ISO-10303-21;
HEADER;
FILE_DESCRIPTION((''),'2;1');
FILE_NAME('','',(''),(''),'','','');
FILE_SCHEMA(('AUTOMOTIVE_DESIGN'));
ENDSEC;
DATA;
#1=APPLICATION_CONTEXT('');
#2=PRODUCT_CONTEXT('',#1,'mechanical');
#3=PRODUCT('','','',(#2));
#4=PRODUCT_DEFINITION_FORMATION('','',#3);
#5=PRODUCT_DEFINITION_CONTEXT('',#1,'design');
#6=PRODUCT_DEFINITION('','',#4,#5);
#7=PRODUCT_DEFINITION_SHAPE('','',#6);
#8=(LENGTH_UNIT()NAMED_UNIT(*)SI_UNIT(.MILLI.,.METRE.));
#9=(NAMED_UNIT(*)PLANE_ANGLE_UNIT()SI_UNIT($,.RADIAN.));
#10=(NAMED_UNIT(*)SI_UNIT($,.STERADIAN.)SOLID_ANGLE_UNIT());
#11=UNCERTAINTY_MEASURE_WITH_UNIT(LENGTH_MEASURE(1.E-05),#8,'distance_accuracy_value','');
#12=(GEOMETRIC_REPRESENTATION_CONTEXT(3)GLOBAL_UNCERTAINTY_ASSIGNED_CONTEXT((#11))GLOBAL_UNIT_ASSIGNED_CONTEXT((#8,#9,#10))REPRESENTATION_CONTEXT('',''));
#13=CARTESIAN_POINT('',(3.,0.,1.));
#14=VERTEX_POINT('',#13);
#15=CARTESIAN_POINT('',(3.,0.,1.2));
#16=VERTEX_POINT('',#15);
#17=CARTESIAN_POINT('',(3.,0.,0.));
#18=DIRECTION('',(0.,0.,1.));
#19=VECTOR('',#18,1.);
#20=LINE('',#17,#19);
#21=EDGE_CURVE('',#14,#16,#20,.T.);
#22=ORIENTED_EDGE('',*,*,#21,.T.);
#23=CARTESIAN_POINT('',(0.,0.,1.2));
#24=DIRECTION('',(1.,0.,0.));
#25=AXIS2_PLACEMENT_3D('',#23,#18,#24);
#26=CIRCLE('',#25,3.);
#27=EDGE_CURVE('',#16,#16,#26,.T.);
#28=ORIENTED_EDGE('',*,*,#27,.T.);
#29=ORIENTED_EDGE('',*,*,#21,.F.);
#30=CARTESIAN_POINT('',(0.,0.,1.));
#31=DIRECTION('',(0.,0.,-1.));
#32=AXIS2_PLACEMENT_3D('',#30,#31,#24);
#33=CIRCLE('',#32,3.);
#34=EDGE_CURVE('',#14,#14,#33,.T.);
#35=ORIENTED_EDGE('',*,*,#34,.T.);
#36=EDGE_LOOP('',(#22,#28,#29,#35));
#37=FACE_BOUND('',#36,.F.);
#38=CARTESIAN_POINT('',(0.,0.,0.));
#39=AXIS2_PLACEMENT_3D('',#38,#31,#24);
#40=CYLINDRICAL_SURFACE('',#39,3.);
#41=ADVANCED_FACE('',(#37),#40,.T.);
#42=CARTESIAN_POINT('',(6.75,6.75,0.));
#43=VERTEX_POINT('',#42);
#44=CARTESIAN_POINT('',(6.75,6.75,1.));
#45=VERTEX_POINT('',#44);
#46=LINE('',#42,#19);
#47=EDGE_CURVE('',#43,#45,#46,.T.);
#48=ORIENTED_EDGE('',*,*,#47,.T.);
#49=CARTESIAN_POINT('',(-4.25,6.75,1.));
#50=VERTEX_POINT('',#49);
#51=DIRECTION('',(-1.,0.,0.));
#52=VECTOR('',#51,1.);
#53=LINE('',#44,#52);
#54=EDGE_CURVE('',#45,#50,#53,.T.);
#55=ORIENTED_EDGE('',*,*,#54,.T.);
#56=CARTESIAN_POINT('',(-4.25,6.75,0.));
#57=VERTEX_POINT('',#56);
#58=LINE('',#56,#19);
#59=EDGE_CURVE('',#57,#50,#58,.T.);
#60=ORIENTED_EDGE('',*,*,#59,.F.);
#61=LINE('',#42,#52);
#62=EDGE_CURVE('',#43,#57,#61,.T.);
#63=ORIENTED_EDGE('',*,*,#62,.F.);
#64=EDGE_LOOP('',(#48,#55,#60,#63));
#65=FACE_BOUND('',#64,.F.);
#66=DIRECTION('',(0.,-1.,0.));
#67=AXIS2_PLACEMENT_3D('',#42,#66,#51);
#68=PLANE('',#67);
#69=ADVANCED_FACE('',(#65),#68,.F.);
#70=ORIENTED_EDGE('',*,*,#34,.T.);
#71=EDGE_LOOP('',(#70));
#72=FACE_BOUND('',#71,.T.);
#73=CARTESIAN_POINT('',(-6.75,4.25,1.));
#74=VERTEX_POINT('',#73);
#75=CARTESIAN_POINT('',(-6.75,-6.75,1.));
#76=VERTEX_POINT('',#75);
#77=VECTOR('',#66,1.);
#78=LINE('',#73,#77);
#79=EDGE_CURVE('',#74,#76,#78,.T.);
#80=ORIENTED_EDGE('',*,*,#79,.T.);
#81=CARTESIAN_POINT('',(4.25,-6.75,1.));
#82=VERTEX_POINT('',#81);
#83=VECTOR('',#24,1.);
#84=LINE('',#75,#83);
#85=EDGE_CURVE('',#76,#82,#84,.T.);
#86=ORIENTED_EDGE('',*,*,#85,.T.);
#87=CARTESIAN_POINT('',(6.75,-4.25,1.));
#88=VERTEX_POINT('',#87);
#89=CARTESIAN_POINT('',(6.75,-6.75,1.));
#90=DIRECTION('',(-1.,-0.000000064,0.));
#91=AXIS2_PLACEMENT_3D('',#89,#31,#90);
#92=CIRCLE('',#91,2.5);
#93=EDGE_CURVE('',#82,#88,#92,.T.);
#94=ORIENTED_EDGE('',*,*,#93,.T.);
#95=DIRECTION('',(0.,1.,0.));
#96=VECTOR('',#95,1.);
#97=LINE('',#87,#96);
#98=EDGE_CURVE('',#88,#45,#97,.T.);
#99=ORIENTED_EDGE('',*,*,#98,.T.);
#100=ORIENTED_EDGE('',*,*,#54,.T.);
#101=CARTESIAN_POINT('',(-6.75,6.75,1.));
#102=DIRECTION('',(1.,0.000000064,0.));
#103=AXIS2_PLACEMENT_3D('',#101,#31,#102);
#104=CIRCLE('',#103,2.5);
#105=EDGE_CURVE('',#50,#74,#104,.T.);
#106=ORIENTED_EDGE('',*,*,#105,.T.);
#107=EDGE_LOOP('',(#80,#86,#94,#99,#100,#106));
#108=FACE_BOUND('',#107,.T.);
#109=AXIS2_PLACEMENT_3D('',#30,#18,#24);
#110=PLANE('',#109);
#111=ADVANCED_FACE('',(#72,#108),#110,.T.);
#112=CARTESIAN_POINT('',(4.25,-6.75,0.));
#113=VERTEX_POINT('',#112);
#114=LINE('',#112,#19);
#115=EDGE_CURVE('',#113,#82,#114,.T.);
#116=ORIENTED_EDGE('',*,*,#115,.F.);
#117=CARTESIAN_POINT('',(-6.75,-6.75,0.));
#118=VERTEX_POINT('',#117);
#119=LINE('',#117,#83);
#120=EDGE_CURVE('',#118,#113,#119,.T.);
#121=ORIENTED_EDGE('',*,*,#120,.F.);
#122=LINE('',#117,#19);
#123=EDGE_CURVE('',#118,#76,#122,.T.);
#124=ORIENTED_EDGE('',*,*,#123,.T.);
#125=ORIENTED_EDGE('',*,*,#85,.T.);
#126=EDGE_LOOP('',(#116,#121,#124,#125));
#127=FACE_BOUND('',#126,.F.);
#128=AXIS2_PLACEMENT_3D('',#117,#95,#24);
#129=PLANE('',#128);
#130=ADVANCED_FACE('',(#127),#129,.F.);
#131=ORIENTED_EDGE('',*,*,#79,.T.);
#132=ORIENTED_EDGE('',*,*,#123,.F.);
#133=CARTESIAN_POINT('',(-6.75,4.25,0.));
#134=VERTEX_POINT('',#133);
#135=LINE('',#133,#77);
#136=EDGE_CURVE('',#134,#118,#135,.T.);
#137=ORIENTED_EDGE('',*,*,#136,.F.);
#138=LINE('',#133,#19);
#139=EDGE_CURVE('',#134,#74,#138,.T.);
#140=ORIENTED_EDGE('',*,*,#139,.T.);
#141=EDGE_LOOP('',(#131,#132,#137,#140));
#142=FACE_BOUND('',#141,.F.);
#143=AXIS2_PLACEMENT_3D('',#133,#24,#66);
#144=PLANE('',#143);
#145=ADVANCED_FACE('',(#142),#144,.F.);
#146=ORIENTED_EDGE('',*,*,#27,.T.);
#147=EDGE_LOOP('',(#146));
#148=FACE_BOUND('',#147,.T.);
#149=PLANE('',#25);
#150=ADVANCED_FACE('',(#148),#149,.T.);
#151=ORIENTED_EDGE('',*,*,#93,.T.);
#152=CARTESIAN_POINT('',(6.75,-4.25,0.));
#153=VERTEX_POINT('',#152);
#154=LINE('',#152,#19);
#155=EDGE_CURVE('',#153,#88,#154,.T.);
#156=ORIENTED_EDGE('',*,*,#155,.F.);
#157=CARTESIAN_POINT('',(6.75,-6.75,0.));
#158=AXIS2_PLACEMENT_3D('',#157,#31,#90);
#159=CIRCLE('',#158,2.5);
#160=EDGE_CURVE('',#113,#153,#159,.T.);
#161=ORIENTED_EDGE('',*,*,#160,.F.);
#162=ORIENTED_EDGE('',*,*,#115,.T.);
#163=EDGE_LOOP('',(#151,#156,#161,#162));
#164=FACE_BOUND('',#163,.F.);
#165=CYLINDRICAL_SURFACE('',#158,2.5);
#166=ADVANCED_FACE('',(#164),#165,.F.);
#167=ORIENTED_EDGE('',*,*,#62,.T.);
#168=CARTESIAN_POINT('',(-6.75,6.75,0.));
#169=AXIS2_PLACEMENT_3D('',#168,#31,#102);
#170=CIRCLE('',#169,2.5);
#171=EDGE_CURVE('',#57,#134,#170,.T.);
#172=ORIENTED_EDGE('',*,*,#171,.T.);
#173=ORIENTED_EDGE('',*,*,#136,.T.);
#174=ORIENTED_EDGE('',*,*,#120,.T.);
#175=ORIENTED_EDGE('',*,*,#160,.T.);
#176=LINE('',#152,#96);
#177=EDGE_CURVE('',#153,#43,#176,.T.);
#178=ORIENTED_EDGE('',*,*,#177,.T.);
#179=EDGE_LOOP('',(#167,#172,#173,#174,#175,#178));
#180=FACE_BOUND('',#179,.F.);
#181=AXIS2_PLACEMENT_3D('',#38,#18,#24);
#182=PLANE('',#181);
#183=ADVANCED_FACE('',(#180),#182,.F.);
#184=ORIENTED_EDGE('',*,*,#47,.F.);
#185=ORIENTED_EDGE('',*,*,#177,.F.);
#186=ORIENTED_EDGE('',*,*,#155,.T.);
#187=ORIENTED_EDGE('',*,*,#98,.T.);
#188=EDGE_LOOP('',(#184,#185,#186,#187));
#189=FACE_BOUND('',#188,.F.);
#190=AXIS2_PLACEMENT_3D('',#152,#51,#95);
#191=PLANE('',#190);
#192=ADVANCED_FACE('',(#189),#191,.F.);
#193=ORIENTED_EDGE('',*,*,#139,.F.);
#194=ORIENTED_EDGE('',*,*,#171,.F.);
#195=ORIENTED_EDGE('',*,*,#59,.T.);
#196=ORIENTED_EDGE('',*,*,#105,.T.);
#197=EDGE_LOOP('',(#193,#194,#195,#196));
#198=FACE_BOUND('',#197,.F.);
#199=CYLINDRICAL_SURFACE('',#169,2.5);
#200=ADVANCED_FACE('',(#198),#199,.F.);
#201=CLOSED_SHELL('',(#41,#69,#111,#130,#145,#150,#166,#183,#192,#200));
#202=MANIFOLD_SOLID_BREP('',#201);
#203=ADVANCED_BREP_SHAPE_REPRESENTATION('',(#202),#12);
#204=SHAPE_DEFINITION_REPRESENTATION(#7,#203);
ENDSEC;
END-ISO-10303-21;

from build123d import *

# Parameters (mm, degrees)
F0_R     = 3
F1_DEPTH = 1
F2_DEPTH = 1.2


with BuildPart() as f1:
    # F0 (on Top) → F1 (new body)
    with BuildSketch(Plane.XY):
        with BuildLine():
            Line((-6.75, -6.75), (4.25, -6.75))
            ThreePointArc((4.25, -6.75), (4.982233, -4.982233), (6.75, -4.25))
            Line((6.75, -4.25), (6.75, 6.75))
            Line((6.75, 6.75), (-4.25, 6.75))
            ThreePointArc((-4.25, 6.75), (-4.982233, 4.982233), (-6.75, 4.25))
            Line((-6.75, 4.25), (-6.75, -6.75))
        make_face()
        Circle(F0_R, mode=Mode.SUBTRACT)
        Circle(F0_R)
    extrude(amount=F1_DEPTH)

    # F0 (on Top) → F2 (join)
    with BuildSketch(Plane.XY):
        Circle(F0_R)
    extrude(amount=F2_DEPTH)


solid = f1.part
